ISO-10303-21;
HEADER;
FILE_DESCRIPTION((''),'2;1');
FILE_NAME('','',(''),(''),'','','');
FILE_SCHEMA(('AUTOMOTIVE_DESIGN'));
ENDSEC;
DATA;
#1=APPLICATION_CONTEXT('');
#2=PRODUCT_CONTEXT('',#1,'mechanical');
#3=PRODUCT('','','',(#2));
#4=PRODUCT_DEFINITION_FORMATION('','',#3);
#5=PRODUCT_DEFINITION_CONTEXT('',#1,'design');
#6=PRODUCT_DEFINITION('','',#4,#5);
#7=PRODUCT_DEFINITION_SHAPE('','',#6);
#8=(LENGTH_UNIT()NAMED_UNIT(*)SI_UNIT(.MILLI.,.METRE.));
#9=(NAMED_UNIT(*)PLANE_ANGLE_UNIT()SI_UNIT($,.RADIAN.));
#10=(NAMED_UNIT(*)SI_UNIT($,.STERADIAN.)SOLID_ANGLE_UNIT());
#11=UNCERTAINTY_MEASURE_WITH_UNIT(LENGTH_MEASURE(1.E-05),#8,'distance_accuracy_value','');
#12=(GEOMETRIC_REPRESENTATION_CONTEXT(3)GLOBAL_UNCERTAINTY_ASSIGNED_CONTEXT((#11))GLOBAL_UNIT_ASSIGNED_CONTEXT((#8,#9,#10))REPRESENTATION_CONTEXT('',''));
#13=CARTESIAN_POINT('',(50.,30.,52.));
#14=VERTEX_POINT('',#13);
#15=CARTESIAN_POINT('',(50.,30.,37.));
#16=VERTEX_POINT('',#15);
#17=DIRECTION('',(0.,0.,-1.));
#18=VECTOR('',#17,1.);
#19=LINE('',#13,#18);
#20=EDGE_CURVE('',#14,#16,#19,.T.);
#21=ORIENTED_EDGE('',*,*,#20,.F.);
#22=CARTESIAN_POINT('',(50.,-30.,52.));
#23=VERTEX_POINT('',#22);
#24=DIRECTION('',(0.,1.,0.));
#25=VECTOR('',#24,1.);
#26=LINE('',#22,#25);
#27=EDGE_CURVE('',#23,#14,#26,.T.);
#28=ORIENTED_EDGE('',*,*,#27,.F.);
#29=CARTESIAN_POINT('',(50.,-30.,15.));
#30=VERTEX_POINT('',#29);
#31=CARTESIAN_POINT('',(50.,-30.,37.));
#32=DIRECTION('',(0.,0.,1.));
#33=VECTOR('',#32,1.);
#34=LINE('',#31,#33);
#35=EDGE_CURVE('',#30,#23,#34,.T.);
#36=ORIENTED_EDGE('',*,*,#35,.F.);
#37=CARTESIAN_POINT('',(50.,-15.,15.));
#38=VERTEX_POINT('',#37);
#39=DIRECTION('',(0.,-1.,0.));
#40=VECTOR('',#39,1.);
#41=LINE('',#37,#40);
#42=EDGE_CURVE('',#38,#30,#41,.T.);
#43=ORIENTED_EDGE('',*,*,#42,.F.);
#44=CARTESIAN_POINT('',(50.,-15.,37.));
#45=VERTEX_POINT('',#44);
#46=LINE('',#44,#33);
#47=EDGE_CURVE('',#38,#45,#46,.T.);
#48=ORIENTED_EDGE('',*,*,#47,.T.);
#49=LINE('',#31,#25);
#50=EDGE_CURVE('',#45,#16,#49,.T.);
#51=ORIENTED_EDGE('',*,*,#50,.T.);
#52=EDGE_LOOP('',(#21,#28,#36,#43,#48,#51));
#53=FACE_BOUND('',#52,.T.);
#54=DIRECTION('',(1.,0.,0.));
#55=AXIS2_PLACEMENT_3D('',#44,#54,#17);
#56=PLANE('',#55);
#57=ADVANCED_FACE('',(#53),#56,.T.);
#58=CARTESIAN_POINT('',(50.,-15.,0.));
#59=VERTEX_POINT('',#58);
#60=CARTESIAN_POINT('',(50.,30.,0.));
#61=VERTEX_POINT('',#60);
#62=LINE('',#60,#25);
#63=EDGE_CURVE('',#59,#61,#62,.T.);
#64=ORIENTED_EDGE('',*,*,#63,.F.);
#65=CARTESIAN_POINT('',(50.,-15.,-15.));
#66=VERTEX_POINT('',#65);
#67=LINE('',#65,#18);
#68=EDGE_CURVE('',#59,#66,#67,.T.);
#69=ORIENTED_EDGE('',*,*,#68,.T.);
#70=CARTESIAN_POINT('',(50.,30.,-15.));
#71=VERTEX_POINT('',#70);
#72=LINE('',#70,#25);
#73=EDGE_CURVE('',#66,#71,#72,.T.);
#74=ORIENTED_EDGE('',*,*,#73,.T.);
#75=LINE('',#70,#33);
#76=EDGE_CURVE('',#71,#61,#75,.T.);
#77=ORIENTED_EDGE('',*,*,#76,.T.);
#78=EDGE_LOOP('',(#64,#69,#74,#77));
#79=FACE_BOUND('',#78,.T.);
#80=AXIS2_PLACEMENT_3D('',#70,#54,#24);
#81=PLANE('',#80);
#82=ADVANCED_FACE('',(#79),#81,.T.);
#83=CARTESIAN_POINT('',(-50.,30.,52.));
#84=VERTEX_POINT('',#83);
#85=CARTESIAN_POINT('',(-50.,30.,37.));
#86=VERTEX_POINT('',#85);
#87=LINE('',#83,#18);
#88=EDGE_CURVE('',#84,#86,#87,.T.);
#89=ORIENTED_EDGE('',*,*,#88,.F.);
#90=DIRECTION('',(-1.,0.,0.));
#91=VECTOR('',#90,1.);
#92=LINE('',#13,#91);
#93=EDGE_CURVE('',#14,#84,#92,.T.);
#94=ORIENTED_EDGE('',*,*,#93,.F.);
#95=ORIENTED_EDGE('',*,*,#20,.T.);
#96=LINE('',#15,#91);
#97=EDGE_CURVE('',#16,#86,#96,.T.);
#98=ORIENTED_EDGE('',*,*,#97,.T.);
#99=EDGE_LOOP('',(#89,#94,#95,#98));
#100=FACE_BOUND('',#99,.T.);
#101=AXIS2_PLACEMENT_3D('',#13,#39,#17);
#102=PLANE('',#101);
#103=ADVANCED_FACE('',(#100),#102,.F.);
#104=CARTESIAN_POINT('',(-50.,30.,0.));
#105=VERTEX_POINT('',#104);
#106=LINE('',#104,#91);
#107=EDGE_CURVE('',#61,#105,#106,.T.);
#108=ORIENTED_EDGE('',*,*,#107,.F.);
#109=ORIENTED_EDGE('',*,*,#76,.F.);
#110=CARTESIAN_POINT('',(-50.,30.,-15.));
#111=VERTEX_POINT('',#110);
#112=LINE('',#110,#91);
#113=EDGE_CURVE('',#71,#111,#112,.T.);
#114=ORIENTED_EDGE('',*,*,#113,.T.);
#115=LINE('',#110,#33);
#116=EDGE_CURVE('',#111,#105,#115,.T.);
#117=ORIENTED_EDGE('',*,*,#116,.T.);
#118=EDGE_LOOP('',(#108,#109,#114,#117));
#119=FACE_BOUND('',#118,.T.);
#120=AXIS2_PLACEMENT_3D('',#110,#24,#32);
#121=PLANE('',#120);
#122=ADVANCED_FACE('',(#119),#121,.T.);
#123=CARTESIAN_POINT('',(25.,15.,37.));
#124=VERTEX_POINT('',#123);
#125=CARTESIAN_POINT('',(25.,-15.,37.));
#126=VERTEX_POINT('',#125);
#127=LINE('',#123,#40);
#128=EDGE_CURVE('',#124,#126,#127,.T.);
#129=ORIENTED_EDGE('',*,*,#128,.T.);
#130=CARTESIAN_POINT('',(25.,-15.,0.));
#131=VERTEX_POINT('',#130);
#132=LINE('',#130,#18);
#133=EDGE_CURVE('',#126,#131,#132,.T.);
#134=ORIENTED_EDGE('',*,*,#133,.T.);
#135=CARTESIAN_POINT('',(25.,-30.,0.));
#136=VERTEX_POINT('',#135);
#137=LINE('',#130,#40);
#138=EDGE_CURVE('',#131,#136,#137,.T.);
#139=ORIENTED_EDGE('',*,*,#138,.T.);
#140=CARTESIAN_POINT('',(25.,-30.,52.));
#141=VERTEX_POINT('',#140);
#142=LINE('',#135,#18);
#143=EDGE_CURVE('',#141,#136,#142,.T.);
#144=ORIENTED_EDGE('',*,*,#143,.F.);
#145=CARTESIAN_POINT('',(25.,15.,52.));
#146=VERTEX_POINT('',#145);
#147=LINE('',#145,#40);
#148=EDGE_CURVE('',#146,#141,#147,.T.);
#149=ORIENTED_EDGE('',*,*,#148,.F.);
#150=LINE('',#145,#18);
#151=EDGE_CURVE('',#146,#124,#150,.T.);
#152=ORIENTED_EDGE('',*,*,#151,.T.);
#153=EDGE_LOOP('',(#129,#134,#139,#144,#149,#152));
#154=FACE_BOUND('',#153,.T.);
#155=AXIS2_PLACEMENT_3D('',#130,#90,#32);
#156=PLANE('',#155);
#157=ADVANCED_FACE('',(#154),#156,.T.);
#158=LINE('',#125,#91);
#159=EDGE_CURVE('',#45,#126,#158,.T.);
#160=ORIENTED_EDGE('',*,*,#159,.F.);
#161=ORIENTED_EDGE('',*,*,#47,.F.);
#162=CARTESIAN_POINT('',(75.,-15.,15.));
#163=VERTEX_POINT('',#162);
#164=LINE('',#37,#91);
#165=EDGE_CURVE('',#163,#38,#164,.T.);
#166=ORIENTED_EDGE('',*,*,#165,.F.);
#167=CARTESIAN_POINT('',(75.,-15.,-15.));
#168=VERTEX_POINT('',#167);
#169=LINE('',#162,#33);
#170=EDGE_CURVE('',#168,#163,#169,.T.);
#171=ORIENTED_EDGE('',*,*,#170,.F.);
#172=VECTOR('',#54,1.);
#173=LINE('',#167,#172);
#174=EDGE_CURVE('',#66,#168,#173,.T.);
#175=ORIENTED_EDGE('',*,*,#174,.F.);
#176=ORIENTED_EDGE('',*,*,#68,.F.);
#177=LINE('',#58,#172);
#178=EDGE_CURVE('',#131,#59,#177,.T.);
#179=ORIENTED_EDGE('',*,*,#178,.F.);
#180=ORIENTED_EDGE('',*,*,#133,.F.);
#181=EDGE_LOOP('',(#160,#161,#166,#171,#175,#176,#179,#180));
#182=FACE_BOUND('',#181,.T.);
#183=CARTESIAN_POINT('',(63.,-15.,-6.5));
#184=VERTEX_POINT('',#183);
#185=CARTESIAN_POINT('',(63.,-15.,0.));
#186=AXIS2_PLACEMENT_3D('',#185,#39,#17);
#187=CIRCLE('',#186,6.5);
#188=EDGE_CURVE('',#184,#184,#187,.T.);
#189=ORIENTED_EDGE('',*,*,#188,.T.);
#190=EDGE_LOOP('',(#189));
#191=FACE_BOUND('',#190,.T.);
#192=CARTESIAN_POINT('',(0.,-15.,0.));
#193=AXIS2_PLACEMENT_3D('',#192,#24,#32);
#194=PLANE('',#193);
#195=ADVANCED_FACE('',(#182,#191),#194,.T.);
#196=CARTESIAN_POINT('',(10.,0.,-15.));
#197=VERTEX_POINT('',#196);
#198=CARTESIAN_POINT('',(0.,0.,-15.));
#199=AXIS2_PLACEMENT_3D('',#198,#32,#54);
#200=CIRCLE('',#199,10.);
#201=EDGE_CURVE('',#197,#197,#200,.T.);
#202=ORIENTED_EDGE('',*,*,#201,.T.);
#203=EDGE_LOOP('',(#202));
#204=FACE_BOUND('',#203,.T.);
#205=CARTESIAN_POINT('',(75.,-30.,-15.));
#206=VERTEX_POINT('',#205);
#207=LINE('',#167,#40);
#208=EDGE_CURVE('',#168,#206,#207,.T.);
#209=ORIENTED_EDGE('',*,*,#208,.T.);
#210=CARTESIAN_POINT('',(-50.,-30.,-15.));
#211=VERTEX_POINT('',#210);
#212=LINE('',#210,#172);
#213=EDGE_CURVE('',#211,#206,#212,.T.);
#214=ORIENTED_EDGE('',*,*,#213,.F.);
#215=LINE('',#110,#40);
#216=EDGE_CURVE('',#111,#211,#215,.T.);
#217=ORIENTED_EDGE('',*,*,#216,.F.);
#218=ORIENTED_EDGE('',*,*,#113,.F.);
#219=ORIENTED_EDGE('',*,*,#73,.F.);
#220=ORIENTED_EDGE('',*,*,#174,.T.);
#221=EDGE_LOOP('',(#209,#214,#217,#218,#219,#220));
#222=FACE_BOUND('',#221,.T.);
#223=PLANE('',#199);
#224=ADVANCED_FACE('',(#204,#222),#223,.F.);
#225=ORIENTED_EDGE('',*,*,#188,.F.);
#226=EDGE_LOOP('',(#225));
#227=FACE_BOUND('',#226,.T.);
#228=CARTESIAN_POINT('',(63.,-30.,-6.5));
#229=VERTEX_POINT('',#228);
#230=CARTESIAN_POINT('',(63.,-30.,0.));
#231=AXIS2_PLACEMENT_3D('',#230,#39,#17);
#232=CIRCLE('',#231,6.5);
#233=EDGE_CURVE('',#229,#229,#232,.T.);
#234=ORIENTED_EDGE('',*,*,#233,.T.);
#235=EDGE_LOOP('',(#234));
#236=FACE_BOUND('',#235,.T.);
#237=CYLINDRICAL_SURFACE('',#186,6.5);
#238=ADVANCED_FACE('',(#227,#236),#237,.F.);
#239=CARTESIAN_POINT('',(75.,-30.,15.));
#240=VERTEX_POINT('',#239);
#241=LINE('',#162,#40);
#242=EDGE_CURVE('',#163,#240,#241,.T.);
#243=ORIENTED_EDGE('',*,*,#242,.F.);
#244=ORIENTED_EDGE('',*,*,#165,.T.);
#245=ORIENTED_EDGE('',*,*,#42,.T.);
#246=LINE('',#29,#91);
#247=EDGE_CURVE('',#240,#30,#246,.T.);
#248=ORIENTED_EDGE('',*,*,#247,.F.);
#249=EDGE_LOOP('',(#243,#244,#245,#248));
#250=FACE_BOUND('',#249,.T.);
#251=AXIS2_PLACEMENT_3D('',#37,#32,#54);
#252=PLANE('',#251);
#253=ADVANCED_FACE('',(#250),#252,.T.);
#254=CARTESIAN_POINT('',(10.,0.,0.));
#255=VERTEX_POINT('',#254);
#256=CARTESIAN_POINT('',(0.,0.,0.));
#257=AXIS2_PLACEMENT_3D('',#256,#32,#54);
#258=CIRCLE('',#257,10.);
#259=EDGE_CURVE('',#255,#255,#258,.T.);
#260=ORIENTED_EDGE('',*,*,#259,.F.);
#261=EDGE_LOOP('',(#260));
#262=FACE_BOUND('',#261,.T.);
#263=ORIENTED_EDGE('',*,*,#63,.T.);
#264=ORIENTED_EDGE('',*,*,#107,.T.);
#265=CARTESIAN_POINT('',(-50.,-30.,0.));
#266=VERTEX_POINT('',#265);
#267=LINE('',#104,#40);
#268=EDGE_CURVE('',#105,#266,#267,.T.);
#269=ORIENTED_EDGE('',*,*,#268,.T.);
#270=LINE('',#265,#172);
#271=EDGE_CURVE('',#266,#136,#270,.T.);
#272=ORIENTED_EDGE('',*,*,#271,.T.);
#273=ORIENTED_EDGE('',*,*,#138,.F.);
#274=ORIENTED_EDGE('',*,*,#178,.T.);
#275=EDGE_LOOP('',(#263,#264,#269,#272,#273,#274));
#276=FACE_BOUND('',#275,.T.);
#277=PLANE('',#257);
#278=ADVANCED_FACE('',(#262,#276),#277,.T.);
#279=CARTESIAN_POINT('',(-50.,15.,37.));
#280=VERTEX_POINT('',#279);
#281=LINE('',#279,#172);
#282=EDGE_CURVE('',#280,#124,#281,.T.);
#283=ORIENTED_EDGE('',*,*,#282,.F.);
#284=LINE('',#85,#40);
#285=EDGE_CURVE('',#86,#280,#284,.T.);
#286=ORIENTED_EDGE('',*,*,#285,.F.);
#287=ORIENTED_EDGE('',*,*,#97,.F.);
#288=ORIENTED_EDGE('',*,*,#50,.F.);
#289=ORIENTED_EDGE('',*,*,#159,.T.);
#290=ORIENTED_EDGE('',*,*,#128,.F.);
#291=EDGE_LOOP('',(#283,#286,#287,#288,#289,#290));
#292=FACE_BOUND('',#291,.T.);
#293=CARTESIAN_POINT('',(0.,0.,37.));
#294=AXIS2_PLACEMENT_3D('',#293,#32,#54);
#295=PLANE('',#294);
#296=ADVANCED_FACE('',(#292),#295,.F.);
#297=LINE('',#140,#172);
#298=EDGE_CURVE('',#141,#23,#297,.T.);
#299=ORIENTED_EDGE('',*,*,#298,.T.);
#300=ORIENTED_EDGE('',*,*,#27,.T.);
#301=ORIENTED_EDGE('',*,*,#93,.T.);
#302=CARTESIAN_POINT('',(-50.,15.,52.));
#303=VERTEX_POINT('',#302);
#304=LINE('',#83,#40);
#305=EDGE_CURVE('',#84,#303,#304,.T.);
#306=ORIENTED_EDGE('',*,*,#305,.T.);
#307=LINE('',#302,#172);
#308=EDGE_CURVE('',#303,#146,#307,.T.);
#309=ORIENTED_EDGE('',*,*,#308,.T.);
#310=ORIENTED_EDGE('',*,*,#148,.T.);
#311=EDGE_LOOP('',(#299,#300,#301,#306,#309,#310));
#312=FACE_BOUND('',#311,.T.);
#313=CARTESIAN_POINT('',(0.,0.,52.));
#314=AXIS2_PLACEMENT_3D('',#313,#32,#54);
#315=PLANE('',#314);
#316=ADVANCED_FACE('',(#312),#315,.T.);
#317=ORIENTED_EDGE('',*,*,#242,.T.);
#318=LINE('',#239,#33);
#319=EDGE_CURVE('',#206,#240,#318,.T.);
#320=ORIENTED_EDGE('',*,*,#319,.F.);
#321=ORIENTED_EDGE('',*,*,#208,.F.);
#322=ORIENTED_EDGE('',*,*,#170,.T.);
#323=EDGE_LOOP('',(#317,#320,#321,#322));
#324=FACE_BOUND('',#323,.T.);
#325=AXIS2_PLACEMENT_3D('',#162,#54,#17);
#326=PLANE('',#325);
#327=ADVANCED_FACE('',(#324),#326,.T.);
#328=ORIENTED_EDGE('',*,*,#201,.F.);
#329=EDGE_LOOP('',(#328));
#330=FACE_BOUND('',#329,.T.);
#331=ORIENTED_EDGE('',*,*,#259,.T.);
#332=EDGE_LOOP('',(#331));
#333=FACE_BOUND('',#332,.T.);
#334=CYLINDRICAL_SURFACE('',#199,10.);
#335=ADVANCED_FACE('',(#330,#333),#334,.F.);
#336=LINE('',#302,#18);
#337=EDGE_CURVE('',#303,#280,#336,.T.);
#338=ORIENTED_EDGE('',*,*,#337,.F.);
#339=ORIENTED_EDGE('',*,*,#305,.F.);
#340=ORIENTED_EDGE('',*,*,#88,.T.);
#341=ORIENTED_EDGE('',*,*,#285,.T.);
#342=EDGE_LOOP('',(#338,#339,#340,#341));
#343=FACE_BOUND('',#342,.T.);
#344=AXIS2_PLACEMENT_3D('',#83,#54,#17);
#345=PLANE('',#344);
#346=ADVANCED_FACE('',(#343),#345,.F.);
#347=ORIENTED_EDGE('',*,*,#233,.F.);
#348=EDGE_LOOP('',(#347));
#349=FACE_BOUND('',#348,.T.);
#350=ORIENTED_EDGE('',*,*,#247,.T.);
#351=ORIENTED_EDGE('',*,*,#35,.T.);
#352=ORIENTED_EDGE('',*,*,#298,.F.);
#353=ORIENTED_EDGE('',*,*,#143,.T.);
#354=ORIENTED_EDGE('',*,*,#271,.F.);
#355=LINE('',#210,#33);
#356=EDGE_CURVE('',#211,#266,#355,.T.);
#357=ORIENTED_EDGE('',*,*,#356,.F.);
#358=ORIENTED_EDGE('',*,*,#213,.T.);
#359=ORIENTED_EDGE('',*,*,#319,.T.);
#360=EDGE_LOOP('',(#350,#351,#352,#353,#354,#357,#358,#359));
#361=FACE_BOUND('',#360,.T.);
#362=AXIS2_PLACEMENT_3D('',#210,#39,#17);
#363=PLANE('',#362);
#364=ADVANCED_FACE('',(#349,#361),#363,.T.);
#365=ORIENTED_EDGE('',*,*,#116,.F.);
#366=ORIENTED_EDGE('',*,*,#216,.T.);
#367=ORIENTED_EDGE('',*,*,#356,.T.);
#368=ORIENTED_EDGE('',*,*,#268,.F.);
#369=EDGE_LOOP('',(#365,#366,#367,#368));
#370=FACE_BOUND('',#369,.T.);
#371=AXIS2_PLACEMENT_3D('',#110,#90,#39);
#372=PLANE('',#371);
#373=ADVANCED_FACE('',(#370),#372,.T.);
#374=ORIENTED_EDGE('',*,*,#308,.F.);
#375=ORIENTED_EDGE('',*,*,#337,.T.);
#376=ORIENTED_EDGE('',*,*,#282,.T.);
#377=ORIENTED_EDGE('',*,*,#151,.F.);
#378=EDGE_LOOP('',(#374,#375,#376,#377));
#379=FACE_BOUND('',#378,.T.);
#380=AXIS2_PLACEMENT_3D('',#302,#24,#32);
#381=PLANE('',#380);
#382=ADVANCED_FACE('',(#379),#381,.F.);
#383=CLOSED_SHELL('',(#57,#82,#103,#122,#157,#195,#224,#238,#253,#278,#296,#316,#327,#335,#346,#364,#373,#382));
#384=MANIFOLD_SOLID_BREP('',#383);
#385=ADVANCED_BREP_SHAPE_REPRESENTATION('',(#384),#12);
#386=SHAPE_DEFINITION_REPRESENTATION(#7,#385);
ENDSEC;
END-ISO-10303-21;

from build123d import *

# Parameters (mm, degrees)
SZKIC1_W                    = 100
SZKIC1_H                    = 60
SZKIC1_R                    = 10
DODANIE_WYCI_GNI_CIE1_DEPTH = 15
DODANIE_WYCI_GNI_CIE2_DEPTH = 15
SZKIC3_R                    = 6.5
DODANIE_WYCI_GNI_CIE5_DEPTH = 15


with BuildPart() as part:
    # Szkic1 → Dodanie-wyciągnięcie1 (new body)
    with BuildSketch(Plane.XY):
        Rectangle(SZKIC1_W, SZKIC1_H)
        Circle(SZKIC1_R, mode=Mode.SUBTRACT)
    extrude(amount=-DODANIE_WYCI_GNI_CIE1_DEPTH)



with BuildPart() as body_2:
    # Szkic2 → Dodanie-wyciągnięcie2 (new body)
    with BuildSketch(Plane.XY.offset(37)):
        Polygon((-50, 30), (-50, 15), (25, 15), (25, -30), (50, -30), (50, 30), align=None)
    extrude(amount=DODANIE_WYCI_GNI_CIE2_DEPTH)


with BuildPart() as part_1:
    add(part.part)

    add(body_2.part)  # Dodanie-wyciągnięcie5 merges body 2
    # Szkic3 → Dodanie-wyciągnięcie5 (add)
    with BuildSketch(Plane(origin=(0, -30, 0), x_dir=(-1, 0, 0), z_dir=(0, -1, 0))):
        Polygon((-25, 0), (-25, -37), (-50, -37), (-50, -15), (-75, -15), (-75, 15), (-50, 15), (-50, 0), align=None)
        with Locations(Location((-63, 0, 0), (0, 0, 90))):
            Circle(SZKIC3_R, mode=Mode.SUBTRACT)
    extrude(amount=-DODANIE_WYCI_GNI_CIE5_DEPTH)


solid = part_1.part
